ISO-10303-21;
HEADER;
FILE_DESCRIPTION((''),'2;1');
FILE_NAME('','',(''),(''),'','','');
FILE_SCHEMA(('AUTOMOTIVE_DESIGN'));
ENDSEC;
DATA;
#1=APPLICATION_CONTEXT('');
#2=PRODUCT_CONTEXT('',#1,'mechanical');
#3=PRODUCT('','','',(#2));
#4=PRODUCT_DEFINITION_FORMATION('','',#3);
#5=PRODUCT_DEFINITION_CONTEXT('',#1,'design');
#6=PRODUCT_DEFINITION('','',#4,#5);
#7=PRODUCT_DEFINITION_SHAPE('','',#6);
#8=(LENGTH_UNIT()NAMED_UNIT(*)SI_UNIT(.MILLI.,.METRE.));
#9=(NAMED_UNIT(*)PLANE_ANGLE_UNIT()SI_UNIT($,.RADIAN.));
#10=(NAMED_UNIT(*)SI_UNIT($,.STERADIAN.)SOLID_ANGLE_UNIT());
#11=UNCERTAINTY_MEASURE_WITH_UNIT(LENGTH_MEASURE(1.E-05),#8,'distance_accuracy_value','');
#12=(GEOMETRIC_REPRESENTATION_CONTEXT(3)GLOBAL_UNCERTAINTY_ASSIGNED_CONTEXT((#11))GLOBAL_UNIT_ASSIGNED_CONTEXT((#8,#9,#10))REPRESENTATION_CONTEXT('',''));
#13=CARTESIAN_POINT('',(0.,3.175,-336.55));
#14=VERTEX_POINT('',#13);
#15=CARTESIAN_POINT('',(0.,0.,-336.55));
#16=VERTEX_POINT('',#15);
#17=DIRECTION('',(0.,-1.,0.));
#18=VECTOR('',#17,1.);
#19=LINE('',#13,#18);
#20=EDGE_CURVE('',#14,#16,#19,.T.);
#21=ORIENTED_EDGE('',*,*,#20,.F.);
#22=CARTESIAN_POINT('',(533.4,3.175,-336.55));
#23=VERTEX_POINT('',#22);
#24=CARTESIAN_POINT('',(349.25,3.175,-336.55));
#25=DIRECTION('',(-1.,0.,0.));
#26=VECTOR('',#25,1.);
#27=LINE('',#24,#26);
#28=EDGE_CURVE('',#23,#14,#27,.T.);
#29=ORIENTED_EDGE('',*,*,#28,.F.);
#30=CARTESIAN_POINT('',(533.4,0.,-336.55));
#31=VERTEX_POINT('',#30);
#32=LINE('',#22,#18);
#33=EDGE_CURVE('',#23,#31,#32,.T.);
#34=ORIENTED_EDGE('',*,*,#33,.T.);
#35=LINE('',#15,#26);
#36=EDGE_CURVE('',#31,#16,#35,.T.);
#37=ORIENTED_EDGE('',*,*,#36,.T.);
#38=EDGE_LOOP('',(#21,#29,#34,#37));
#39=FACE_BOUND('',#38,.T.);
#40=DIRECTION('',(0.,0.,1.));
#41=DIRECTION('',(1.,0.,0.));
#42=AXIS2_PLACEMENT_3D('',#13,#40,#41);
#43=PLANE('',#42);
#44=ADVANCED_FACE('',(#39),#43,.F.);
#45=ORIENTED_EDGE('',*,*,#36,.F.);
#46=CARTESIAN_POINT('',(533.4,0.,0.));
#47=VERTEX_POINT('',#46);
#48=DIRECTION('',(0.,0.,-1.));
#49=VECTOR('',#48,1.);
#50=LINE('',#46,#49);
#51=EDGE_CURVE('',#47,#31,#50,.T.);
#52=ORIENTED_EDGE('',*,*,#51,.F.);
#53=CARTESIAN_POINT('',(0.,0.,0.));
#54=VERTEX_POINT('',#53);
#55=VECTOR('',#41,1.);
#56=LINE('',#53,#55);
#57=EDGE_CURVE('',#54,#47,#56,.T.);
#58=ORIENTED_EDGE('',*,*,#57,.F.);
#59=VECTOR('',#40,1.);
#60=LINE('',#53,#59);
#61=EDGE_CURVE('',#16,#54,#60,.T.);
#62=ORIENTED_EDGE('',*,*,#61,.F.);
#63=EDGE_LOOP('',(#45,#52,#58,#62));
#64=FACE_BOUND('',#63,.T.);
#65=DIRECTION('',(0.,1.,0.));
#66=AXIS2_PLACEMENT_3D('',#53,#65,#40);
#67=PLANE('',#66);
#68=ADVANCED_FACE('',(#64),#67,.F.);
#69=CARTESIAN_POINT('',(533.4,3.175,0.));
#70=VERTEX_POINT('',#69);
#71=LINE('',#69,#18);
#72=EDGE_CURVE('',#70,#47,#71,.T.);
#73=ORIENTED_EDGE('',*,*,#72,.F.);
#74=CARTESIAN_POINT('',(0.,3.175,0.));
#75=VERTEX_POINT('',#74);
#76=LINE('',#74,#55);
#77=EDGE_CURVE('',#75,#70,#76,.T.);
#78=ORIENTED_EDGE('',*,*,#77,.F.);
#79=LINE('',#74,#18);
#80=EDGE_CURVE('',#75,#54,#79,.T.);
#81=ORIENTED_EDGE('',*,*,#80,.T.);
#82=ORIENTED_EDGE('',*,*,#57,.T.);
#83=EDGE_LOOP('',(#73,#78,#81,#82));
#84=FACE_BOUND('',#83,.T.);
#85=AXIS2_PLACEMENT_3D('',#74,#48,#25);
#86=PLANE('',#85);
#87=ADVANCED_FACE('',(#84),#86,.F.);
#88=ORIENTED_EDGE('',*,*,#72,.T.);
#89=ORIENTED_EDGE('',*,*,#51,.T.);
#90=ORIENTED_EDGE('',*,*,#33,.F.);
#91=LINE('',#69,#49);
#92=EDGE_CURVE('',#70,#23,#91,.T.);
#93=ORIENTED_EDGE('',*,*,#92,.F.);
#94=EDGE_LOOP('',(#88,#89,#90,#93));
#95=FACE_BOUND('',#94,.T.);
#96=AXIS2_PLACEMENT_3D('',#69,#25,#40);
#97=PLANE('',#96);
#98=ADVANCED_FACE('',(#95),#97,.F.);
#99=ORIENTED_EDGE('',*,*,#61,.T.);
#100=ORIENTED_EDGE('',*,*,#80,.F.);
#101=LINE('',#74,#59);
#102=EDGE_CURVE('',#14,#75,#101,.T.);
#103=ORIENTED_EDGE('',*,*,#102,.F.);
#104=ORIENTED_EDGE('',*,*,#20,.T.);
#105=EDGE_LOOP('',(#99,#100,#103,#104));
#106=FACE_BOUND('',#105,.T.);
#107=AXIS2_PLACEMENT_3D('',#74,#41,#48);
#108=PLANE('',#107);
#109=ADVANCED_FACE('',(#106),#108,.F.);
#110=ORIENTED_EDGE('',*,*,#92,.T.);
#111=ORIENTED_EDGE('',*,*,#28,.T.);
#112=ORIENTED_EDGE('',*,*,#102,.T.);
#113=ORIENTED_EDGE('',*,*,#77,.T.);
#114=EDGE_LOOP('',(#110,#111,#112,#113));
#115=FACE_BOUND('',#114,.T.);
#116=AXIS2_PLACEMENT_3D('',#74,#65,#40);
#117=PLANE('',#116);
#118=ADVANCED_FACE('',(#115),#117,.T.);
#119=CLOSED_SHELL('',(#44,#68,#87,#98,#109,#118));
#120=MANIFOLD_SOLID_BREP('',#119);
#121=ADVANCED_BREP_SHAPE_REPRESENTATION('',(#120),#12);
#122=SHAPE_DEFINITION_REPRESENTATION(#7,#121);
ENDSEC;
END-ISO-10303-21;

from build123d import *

# Parameters (mm, degrees)
BOSS_EXTRUDE1_DEPTH = 3.175
SKETCH2_W           = 165.1
SKETCH2_H           = 127
BOSS_EXTRUDE2_DEPTH = 3.175


with BuildPart() as part:
    # Sketch1 → Boss-Extrude1 (new body)
    with BuildSketch(Plane(origin=(0, 0, 0), x_dir=(1, 0, 0), z_dir=(0, 1, 0))):
        Polygon((349.25, 336.55), (533.4, 336.55), (533.4, 0), (0, 0), (0, 336.55), (184.15, 336.55), (184.15, 209.55), (349.25, 209.55), align=None)
    extrude(amount=BOSS_EXTRUDE1_DEPTH)

    # Sketch2 → Boss-Extrude2 (add)
    with BuildSketch(Plane(origin=(0, 3.175, 0), x_dir=(1, 0, 0), z_dir=(0, 1, 0))):
        Polygon((184.15, 336.55), (147.800872545, 336.55), (147.800872545, 172.016073561), (409.748972161, 172.016073561), (409.748972161, 336.55), (349.25, 336.55), (349.25, 209.55), (184.15, 209.55), align=None)
        with Locations((266.7, 273.05)):
            Rectangle(SKETCH2_W, SKETCH2_H)
    extrude(amount=-BOSS_EXTRUDE2_DEPTH)


solid = part.part
